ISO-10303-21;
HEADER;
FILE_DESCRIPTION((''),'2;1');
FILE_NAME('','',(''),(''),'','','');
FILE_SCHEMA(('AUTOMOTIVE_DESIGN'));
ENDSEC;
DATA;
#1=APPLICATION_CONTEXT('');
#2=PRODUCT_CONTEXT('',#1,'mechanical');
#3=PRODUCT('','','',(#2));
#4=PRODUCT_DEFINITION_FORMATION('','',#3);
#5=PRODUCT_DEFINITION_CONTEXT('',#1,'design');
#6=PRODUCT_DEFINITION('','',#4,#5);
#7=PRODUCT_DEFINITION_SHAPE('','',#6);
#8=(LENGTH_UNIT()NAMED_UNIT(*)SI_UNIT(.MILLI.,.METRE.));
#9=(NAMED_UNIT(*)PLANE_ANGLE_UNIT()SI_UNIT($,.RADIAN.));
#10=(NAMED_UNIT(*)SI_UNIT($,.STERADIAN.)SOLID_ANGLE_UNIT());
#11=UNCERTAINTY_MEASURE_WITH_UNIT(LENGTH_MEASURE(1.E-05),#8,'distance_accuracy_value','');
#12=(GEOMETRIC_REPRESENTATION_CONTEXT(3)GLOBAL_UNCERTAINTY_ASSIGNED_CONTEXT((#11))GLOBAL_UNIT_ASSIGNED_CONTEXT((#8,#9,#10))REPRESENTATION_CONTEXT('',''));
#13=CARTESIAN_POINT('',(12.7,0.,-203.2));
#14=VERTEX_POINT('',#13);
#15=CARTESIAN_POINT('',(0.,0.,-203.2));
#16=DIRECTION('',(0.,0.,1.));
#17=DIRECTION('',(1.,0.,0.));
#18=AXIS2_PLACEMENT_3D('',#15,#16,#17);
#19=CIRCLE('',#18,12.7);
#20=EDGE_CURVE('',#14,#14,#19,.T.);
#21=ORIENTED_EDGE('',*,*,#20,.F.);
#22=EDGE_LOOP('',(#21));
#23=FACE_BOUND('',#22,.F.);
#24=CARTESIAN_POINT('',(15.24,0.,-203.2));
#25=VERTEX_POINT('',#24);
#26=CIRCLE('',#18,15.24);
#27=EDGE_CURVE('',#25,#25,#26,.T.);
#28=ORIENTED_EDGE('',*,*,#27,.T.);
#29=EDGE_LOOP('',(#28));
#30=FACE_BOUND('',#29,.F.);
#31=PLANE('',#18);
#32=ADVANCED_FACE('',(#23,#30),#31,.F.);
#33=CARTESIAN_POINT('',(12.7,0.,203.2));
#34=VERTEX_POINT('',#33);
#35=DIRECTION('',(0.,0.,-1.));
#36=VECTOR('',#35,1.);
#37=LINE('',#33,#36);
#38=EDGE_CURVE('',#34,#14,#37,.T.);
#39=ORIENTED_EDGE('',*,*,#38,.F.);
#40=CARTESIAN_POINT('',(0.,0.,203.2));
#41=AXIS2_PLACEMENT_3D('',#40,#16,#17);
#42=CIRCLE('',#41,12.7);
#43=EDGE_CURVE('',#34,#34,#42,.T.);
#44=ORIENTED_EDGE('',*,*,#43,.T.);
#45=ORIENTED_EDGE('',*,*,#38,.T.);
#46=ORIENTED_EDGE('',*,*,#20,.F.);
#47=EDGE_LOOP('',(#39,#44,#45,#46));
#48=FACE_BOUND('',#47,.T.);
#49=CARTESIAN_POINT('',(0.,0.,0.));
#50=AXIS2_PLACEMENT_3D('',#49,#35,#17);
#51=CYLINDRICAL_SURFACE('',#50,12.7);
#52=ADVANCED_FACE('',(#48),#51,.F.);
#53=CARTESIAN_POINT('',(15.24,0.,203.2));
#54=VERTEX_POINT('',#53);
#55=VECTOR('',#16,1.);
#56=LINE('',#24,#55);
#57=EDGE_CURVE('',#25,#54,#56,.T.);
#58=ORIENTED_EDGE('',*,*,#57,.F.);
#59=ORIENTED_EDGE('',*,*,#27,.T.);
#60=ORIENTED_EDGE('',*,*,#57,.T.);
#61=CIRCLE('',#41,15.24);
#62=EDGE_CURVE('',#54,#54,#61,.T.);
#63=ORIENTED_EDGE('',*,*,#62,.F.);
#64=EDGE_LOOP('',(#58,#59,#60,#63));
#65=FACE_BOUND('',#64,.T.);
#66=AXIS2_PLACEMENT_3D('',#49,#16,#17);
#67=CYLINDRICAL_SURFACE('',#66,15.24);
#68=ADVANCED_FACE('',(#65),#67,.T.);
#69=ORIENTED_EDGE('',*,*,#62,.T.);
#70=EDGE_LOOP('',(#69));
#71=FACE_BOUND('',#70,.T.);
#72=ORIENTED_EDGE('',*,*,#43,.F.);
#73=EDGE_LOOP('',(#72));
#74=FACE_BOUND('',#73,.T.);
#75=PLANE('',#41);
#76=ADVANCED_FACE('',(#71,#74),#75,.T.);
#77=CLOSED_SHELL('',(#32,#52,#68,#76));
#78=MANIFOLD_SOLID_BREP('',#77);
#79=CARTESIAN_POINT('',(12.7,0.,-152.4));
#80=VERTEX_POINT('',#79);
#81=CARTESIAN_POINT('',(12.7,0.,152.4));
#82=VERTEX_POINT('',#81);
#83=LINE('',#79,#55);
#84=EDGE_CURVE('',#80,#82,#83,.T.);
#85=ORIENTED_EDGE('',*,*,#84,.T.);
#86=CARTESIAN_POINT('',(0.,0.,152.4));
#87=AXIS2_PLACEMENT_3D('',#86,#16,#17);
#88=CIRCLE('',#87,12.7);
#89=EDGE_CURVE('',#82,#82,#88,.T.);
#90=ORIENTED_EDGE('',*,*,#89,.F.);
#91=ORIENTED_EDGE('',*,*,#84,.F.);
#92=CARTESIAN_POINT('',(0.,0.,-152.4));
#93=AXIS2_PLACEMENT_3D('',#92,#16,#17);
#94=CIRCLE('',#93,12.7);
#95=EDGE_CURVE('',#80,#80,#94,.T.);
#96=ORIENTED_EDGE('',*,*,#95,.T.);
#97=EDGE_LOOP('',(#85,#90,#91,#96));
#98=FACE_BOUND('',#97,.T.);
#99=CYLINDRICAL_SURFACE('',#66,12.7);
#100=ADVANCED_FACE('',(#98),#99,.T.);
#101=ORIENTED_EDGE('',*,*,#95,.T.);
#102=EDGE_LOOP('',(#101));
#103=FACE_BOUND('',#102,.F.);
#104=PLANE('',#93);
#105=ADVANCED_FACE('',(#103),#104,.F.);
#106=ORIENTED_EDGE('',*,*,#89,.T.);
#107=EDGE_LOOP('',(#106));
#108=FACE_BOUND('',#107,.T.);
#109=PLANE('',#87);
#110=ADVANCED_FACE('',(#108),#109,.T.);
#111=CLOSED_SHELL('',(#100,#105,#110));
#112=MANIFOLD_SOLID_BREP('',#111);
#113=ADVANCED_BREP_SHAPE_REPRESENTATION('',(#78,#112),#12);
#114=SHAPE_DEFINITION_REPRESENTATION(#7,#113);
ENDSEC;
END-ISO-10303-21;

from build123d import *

# Parameters (mm, degrees)
F0_R     = 12.7
F1_DEPTH = 152.4
F2_R     = 15.24
F2_R_2   = 12.7
F3_DEPTH = 203.2


with BuildPart() as f1:
    # F0 (on Top) → F1 (new body, symmetric)
    with BuildSketch(Plane.XY):
        Circle(F0_R)
    extrude(amount=F1_DEPTH, both=True)


with BuildPart() as f3:
    # F2 (on Top) → F3 (new body, symmetric)
    with BuildSketch(Plane.XY):
        Circle(F2_R)
        Circle(F2_R_2, mode=Mode.SUBTRACT)
    extrude(amount=F3_DEPTH, both=True)


solid = Compound([f1.part, f3.part])
